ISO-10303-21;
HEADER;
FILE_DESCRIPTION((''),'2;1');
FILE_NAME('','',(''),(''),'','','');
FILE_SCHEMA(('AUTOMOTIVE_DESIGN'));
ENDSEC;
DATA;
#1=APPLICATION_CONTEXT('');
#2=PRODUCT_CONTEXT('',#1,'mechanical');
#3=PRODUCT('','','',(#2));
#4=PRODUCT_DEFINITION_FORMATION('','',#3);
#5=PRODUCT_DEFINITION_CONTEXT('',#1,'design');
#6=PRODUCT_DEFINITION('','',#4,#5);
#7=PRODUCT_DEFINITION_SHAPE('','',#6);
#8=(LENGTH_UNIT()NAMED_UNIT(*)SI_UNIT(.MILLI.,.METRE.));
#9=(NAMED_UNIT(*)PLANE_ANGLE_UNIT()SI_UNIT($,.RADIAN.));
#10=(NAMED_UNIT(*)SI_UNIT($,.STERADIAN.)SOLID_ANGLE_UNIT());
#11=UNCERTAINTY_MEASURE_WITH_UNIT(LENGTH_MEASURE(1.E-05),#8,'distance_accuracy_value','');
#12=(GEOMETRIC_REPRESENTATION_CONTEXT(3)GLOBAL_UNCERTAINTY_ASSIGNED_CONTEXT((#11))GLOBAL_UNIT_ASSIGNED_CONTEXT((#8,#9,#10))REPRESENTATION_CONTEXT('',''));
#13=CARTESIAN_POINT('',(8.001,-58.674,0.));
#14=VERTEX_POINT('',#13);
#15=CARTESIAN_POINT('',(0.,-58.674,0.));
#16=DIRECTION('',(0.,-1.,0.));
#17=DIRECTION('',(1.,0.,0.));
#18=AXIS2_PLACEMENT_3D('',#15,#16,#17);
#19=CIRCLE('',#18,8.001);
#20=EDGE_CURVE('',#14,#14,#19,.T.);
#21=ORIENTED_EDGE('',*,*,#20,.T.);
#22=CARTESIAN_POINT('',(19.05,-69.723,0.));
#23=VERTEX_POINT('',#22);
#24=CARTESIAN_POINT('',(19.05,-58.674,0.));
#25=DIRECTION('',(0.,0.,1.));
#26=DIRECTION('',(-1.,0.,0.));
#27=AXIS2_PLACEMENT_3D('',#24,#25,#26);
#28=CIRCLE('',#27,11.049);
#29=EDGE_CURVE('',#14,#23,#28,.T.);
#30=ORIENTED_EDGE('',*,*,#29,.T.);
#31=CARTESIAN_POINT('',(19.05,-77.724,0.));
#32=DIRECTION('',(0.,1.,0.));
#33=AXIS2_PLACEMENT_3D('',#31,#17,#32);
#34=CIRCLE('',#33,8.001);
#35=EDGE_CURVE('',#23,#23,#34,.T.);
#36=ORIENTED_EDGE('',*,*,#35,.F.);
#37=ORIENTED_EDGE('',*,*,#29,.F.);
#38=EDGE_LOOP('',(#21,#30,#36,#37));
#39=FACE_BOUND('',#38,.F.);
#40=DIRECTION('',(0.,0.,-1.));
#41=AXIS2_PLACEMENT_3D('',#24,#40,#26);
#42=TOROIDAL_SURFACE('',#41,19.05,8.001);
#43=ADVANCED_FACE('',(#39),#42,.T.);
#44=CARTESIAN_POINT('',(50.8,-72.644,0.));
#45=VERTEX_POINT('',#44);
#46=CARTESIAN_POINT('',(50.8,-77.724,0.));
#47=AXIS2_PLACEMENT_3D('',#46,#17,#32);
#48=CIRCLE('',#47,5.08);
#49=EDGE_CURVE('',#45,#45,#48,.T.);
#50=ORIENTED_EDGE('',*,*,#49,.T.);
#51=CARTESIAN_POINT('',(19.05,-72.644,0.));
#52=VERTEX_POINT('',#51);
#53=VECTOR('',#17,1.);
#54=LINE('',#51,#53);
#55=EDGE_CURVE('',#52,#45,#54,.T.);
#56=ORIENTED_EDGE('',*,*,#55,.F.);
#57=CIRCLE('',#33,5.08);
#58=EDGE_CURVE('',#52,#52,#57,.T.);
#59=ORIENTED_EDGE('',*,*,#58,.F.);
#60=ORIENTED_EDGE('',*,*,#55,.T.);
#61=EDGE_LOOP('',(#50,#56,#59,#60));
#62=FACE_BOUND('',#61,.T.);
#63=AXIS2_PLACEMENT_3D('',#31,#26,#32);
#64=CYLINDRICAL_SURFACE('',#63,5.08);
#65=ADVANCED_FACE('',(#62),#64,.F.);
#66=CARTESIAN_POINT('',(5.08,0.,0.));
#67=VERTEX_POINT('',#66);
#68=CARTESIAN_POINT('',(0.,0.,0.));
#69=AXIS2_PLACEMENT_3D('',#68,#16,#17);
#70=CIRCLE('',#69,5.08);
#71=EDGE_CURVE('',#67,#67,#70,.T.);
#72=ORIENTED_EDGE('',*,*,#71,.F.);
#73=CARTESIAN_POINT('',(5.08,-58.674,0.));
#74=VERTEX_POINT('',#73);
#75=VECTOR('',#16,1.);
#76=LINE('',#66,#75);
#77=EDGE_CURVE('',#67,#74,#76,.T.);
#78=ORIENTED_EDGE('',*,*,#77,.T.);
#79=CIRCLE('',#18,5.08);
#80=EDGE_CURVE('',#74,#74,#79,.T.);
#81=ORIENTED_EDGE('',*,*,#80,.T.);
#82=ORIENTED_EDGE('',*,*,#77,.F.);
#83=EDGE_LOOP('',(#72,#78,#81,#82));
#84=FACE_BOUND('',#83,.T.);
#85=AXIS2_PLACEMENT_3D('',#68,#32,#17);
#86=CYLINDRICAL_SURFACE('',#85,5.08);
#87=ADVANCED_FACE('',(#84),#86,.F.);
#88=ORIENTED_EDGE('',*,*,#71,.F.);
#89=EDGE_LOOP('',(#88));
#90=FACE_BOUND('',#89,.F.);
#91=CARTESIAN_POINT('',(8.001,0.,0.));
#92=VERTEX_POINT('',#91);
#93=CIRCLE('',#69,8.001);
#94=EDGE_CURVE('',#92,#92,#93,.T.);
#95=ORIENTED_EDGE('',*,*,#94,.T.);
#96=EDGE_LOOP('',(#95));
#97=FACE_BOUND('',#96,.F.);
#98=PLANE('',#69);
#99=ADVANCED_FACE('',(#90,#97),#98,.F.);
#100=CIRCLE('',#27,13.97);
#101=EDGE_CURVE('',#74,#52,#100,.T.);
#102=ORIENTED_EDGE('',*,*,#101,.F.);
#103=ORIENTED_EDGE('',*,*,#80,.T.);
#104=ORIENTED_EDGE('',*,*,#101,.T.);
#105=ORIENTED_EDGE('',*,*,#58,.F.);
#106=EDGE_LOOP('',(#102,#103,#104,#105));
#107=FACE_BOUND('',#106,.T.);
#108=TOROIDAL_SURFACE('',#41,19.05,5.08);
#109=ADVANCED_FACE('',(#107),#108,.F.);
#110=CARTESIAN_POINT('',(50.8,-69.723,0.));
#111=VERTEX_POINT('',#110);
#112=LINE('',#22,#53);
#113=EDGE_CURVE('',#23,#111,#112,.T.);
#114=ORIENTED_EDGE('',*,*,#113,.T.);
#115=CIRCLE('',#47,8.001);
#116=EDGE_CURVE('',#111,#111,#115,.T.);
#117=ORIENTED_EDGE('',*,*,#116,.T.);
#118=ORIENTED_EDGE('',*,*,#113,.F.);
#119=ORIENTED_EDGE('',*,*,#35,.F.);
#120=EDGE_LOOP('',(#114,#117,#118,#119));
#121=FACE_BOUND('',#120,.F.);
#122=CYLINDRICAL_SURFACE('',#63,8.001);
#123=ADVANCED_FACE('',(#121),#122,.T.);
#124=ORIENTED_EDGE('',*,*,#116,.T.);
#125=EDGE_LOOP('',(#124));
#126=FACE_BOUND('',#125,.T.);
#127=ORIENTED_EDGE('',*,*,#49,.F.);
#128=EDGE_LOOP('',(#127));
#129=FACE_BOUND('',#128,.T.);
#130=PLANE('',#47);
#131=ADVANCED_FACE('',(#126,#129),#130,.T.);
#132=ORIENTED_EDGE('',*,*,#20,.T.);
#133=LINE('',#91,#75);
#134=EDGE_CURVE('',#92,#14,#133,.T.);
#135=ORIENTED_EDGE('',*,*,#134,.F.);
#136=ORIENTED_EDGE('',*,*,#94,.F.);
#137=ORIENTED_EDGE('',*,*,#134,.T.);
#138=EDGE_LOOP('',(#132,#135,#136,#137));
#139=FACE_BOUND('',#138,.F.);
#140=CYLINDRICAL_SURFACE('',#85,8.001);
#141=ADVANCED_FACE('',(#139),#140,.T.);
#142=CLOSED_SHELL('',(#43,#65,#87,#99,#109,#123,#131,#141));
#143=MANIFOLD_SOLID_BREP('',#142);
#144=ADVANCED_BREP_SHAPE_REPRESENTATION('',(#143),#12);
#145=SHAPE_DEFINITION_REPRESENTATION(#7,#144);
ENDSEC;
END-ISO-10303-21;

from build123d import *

# Parameters (mm, degrees)
F0_R     = 8.001
F0_R_2   = 5.08
F1_DEPTH = 58.674
F2_R     = 8.001
F2_R_2   = 5.08
F3_ANGLE = -90
F4_R     = 8.001
F4_R_2   = 5.08
F5_DEPTH = 31.75


with BuildPart() as f1:
    # F0 (on Front) → F1 (new body)
    with BuildSketch(Plane.XZ):
        Circle(F0_R)
        Circle(F0_R_2, mode=Mode.SUBTRACT)
    extrude(amount=F1_DEPTH)

    # F2 (on face) → F3 (revolve)
    with BuildSketch(Plane.XZ.offset(58.674)):
        Circle(F2_R)
        Circle(F2_R_2, mode=Mode.SUBTRACT)
    revolve(axis=Axis((19.05, -58.674, -0.586418), (0, 0, -1)), revolution_arc=F3_ANGLE)

    # F4 (on face) → F5 (join)
    with BuildSketch(Plane.YZ.offset(19.05)):
        with Locations((-77.724, 0)):
            Circle(F4_R)
        with Locations((-77.724, 0)):
            Circle(F4_R_2, mode=Mode.SUBTRACT)
    extrude(amount=F5_DEPTH)


solid = f1.part
